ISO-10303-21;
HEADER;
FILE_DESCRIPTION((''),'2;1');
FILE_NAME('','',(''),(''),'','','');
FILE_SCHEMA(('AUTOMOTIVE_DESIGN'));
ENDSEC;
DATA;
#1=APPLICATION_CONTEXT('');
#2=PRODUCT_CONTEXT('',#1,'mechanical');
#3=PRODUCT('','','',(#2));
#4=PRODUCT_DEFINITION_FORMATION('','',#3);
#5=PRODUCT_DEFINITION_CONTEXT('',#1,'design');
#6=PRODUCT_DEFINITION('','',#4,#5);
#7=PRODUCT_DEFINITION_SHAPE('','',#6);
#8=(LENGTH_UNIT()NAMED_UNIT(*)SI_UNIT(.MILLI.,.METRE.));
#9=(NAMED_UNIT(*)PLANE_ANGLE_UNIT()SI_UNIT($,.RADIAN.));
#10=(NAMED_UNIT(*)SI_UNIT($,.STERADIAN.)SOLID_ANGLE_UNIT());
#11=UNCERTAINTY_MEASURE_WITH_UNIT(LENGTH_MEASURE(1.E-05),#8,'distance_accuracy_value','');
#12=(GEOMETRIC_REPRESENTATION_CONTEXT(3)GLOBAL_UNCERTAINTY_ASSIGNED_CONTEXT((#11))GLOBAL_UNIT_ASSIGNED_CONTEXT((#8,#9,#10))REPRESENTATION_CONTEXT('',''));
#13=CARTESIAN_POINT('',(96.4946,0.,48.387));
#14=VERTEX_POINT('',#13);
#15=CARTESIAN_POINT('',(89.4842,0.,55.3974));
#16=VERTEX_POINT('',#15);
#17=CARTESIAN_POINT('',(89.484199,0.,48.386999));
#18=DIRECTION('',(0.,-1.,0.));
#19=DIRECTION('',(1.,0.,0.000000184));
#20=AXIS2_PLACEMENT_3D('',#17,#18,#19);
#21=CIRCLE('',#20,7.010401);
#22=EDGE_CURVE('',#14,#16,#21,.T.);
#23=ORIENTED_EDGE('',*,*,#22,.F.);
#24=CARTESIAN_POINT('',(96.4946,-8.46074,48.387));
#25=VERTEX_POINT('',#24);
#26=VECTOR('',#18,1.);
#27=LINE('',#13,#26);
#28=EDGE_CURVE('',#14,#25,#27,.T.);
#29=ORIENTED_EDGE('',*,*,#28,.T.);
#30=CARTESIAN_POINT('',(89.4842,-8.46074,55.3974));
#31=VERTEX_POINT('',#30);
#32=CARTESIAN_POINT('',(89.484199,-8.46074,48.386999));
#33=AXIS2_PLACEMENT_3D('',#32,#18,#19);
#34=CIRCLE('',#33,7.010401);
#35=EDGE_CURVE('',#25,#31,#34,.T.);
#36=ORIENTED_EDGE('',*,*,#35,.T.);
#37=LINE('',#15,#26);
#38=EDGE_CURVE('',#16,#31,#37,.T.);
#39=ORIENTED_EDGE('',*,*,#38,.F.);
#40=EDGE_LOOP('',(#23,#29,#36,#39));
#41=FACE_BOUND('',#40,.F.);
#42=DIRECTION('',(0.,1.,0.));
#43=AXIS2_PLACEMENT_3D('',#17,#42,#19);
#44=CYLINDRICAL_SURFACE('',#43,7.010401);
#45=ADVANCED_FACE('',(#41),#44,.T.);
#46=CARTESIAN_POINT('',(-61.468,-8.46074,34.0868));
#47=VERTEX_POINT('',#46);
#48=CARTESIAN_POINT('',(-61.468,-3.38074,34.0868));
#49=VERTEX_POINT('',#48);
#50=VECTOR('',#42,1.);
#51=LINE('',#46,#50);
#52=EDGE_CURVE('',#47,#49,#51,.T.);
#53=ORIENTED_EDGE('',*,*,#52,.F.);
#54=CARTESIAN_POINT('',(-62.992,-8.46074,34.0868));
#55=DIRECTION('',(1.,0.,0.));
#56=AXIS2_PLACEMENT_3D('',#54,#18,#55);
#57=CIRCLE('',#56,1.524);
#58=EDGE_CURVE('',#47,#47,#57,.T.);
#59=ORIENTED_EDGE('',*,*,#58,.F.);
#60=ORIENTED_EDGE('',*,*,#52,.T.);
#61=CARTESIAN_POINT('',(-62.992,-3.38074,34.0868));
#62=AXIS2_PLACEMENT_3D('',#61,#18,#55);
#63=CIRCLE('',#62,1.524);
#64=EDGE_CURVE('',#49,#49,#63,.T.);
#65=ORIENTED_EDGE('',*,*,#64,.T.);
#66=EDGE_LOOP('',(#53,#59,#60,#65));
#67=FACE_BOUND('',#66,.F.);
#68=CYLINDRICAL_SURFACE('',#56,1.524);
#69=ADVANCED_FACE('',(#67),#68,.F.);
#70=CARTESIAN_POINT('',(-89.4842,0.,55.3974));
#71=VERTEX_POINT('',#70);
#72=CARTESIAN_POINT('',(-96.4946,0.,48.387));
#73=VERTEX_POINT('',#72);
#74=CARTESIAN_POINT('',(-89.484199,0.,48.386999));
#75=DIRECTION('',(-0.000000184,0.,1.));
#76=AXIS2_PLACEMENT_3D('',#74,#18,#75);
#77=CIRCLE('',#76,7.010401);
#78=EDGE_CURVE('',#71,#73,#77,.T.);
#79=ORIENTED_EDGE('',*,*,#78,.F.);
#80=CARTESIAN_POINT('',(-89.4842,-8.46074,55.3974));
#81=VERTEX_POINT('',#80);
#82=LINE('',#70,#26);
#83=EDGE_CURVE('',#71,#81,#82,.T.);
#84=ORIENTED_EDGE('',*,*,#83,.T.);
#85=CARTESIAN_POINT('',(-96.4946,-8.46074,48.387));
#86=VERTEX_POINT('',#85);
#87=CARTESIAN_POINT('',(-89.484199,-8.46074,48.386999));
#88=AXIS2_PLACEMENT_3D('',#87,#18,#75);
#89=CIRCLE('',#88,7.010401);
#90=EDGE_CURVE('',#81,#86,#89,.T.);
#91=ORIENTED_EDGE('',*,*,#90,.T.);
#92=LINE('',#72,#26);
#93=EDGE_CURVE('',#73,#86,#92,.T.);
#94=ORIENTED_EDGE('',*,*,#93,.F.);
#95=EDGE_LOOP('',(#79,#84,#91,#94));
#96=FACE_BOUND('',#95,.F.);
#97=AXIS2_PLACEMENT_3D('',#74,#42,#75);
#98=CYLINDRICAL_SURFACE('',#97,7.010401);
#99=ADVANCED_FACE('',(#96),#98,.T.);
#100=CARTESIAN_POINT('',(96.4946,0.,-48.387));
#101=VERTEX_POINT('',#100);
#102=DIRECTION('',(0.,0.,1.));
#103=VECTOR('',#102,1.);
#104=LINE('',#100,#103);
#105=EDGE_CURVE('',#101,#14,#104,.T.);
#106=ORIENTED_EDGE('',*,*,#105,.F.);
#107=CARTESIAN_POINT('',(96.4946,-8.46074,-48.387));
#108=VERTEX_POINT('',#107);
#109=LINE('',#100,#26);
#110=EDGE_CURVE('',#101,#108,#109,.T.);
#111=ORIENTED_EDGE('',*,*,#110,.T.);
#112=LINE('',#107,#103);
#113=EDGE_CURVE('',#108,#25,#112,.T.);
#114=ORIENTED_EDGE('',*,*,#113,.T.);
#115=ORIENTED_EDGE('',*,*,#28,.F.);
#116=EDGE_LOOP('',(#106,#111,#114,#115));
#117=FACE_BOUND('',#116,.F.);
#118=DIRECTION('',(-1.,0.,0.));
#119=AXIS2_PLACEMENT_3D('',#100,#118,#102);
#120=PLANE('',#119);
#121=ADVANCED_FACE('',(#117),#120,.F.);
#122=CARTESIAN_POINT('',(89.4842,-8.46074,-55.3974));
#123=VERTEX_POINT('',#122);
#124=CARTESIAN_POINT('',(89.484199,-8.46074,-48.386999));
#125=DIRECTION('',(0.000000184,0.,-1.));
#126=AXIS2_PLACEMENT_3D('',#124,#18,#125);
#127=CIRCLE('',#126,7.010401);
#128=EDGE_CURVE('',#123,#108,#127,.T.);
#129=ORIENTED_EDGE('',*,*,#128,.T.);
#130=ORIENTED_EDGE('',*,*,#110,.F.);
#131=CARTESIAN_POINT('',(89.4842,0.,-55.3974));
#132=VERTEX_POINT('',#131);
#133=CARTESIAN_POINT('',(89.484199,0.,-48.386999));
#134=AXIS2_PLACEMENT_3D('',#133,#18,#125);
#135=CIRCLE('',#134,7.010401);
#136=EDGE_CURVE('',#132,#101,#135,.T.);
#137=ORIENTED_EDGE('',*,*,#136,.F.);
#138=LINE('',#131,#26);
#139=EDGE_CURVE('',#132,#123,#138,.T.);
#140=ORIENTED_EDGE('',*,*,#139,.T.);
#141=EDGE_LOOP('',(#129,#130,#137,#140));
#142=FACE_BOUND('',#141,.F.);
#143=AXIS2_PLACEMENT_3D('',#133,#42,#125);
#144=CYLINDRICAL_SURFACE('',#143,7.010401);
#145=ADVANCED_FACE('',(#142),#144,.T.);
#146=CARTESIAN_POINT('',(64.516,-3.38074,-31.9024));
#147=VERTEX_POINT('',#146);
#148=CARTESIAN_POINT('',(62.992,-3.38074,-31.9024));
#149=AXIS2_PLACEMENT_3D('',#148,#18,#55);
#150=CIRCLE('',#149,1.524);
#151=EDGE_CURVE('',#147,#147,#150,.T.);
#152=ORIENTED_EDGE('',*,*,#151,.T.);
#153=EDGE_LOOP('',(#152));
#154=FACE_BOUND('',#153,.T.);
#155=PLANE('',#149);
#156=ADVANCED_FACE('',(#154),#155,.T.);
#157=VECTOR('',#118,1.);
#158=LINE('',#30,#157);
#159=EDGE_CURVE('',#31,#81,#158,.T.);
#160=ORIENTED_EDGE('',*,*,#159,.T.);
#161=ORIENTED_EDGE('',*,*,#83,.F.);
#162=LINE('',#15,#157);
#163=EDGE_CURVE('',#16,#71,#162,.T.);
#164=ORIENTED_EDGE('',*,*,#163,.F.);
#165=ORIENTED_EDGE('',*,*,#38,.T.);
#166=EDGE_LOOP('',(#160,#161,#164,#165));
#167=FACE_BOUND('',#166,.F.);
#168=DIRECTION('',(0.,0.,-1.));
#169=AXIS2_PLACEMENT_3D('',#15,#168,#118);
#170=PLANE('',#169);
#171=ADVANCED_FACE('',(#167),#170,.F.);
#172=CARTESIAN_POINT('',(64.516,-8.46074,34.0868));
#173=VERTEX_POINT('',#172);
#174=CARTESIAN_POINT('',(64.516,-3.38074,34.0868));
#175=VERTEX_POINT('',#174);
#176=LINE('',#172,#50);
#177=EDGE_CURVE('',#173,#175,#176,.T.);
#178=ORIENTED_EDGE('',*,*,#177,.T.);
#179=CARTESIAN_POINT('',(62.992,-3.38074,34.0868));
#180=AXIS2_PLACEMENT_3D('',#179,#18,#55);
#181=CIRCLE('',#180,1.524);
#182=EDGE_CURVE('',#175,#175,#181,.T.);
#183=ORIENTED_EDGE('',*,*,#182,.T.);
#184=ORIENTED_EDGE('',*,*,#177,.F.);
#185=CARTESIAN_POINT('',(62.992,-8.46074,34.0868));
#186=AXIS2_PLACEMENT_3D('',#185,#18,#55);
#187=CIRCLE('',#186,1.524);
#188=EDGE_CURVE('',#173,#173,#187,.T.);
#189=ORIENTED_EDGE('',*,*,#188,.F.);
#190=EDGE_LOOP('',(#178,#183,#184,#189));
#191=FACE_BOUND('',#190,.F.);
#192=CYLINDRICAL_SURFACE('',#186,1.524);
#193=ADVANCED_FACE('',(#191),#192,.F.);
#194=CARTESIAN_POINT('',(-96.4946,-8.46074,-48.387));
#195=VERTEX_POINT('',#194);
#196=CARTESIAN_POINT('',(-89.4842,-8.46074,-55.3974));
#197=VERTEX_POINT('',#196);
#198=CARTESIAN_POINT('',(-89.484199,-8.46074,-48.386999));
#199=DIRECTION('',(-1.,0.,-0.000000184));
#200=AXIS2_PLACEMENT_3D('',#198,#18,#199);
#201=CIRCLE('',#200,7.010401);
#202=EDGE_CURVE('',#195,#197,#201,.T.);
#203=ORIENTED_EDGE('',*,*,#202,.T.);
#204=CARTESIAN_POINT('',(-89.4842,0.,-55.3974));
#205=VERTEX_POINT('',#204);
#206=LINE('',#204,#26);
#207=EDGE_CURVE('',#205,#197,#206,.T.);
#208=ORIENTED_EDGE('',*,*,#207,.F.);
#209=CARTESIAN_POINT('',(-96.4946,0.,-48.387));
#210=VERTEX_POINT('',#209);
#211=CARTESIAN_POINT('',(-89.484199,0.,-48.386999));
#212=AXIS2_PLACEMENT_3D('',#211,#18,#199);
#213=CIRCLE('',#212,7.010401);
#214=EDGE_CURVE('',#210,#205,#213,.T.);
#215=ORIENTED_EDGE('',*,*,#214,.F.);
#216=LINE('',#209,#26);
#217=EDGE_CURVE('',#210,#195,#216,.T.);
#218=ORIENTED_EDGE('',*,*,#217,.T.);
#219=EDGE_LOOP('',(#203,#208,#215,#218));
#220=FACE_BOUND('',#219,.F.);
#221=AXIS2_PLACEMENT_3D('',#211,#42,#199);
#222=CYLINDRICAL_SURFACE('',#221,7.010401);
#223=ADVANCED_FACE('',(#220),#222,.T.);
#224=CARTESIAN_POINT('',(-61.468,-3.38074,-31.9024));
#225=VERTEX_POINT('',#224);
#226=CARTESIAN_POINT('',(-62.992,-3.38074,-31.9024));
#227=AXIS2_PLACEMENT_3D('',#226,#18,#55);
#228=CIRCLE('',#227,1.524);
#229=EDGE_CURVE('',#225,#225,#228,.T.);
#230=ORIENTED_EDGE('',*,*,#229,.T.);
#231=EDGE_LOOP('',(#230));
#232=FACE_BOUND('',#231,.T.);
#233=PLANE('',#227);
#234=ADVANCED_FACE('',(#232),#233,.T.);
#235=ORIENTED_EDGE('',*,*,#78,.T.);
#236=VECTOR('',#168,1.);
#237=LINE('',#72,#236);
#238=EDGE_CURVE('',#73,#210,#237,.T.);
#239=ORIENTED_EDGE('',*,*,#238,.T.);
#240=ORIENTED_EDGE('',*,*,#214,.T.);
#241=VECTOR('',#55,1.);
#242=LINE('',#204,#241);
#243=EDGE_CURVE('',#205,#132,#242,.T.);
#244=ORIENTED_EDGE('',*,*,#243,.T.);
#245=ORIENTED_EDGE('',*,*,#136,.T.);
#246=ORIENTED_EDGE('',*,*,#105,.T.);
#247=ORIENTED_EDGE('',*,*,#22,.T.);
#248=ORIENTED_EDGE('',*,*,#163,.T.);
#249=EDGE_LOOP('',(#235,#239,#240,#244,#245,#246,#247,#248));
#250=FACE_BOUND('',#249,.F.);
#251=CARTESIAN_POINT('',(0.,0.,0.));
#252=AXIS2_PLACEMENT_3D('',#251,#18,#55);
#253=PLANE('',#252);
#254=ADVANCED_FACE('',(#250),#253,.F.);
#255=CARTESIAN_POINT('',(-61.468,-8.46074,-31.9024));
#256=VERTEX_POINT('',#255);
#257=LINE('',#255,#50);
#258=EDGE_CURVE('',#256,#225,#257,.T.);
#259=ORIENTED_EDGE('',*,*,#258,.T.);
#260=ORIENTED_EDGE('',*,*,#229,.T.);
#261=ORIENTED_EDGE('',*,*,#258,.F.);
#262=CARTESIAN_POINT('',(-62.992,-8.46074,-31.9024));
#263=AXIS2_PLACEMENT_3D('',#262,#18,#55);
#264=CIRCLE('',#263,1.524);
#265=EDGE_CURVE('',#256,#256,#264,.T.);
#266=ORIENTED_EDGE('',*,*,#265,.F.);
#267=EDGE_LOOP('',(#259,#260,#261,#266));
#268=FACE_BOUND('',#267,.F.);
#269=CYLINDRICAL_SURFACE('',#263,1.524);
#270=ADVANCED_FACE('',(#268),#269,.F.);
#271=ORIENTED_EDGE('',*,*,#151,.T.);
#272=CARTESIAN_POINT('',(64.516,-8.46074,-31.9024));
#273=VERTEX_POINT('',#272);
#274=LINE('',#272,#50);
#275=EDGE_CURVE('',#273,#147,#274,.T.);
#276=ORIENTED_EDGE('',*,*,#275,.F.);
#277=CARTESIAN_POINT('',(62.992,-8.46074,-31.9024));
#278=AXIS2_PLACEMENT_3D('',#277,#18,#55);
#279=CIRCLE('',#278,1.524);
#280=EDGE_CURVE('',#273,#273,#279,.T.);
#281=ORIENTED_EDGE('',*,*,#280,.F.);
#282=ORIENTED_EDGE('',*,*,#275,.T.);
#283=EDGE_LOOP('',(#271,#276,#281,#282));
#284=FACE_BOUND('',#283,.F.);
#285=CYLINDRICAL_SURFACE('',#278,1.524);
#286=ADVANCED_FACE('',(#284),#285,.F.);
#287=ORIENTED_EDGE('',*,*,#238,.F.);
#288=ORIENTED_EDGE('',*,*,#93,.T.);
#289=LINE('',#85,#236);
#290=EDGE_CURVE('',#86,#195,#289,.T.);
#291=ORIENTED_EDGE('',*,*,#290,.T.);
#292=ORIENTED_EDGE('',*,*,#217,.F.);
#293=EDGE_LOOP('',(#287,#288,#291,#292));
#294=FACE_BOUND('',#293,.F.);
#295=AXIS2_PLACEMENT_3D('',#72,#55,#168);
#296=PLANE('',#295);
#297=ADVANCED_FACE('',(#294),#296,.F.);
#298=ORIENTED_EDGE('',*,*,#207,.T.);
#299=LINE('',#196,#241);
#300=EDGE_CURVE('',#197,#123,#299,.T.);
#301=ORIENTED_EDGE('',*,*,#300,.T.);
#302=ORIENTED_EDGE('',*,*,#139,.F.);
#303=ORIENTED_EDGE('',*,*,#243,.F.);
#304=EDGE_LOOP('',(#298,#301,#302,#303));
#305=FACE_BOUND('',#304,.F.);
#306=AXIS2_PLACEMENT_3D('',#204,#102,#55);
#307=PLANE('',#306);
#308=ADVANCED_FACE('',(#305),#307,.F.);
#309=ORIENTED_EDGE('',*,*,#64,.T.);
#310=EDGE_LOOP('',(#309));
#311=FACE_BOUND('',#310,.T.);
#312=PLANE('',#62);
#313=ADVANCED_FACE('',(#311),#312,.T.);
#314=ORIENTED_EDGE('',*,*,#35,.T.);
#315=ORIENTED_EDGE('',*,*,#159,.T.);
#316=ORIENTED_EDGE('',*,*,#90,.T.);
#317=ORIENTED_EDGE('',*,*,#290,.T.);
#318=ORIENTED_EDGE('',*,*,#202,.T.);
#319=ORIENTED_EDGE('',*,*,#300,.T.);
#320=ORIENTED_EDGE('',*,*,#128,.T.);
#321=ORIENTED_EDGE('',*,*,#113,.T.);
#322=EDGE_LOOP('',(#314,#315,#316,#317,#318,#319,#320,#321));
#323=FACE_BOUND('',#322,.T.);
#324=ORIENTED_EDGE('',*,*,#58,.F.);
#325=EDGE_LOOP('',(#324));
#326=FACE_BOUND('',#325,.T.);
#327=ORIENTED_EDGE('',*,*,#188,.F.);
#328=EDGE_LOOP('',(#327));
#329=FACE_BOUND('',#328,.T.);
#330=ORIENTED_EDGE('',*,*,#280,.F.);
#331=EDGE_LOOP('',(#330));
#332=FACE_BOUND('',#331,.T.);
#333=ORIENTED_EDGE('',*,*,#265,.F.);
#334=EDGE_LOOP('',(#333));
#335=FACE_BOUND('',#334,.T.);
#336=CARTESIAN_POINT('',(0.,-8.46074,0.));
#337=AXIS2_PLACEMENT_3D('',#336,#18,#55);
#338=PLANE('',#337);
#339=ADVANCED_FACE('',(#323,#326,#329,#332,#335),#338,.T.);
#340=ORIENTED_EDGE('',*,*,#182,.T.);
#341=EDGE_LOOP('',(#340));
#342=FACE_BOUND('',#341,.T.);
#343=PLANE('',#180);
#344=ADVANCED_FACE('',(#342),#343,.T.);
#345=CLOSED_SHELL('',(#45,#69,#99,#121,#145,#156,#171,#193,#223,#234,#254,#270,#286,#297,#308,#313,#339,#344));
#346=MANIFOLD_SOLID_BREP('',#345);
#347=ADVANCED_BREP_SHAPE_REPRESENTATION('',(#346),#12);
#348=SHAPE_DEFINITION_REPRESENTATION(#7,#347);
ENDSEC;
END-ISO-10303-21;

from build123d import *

# Parameters (mm, degrees)
F1_DEPTH = 8.46074
F2_R     = 1.524
F3_DEPTH = 5.08


with BuildPart() as f1:
    # F0 (on Front) → F1 (new body)
    with BuildSketch(Plane.XZ):
        with BuildLine():
            ThreePointArc((96.4946, 48.387), (94.441301, 53.344101), (89.4842, 55.3974))
            Line((89.4842, 55.3974), (-89.4842, 55.3974))
            ThreePointArc((-89.4842, 55.3974), (-94.441301, 53.344101), (-96.4946, 48.387))
            Line((-96.4946, 48.387), (-96.4946, -48.387))
            ThreePointArc((-96.4946, -48.387), (-94.441301, -53.344101), (-89.4842, -55.3974))
            Line((-89.4842, -55.3974), (89.4842, -55.3974))
            ThreePointArc((89.4842, -55.3974), (94.441301, -53.344101), (96.4946, -48.387))
            Line((96.4946, -48.387), (96.4946, 48.387))
        make_face()
    extrude(amount=F1_DEPTH)

    # F2 (on face) → F3 (cut)
    with BuildSketch(Plane.XZ.offset(8.46074)):
        with Locations((-62.992, 34.0868)):
            Circle(F2_R)
        with Locations((62.992, 34.0868)):
            Circle(F2_R)
        with Locations((62.992, -31.9024)):
            Circle(F2_R)
        with Locations((-62.992, -31.9024)):
            Circle(F2_R)
    extrude(amount=-F3_DEPTH, mode=Mode.SUBTRACT)


solid = f1.part
